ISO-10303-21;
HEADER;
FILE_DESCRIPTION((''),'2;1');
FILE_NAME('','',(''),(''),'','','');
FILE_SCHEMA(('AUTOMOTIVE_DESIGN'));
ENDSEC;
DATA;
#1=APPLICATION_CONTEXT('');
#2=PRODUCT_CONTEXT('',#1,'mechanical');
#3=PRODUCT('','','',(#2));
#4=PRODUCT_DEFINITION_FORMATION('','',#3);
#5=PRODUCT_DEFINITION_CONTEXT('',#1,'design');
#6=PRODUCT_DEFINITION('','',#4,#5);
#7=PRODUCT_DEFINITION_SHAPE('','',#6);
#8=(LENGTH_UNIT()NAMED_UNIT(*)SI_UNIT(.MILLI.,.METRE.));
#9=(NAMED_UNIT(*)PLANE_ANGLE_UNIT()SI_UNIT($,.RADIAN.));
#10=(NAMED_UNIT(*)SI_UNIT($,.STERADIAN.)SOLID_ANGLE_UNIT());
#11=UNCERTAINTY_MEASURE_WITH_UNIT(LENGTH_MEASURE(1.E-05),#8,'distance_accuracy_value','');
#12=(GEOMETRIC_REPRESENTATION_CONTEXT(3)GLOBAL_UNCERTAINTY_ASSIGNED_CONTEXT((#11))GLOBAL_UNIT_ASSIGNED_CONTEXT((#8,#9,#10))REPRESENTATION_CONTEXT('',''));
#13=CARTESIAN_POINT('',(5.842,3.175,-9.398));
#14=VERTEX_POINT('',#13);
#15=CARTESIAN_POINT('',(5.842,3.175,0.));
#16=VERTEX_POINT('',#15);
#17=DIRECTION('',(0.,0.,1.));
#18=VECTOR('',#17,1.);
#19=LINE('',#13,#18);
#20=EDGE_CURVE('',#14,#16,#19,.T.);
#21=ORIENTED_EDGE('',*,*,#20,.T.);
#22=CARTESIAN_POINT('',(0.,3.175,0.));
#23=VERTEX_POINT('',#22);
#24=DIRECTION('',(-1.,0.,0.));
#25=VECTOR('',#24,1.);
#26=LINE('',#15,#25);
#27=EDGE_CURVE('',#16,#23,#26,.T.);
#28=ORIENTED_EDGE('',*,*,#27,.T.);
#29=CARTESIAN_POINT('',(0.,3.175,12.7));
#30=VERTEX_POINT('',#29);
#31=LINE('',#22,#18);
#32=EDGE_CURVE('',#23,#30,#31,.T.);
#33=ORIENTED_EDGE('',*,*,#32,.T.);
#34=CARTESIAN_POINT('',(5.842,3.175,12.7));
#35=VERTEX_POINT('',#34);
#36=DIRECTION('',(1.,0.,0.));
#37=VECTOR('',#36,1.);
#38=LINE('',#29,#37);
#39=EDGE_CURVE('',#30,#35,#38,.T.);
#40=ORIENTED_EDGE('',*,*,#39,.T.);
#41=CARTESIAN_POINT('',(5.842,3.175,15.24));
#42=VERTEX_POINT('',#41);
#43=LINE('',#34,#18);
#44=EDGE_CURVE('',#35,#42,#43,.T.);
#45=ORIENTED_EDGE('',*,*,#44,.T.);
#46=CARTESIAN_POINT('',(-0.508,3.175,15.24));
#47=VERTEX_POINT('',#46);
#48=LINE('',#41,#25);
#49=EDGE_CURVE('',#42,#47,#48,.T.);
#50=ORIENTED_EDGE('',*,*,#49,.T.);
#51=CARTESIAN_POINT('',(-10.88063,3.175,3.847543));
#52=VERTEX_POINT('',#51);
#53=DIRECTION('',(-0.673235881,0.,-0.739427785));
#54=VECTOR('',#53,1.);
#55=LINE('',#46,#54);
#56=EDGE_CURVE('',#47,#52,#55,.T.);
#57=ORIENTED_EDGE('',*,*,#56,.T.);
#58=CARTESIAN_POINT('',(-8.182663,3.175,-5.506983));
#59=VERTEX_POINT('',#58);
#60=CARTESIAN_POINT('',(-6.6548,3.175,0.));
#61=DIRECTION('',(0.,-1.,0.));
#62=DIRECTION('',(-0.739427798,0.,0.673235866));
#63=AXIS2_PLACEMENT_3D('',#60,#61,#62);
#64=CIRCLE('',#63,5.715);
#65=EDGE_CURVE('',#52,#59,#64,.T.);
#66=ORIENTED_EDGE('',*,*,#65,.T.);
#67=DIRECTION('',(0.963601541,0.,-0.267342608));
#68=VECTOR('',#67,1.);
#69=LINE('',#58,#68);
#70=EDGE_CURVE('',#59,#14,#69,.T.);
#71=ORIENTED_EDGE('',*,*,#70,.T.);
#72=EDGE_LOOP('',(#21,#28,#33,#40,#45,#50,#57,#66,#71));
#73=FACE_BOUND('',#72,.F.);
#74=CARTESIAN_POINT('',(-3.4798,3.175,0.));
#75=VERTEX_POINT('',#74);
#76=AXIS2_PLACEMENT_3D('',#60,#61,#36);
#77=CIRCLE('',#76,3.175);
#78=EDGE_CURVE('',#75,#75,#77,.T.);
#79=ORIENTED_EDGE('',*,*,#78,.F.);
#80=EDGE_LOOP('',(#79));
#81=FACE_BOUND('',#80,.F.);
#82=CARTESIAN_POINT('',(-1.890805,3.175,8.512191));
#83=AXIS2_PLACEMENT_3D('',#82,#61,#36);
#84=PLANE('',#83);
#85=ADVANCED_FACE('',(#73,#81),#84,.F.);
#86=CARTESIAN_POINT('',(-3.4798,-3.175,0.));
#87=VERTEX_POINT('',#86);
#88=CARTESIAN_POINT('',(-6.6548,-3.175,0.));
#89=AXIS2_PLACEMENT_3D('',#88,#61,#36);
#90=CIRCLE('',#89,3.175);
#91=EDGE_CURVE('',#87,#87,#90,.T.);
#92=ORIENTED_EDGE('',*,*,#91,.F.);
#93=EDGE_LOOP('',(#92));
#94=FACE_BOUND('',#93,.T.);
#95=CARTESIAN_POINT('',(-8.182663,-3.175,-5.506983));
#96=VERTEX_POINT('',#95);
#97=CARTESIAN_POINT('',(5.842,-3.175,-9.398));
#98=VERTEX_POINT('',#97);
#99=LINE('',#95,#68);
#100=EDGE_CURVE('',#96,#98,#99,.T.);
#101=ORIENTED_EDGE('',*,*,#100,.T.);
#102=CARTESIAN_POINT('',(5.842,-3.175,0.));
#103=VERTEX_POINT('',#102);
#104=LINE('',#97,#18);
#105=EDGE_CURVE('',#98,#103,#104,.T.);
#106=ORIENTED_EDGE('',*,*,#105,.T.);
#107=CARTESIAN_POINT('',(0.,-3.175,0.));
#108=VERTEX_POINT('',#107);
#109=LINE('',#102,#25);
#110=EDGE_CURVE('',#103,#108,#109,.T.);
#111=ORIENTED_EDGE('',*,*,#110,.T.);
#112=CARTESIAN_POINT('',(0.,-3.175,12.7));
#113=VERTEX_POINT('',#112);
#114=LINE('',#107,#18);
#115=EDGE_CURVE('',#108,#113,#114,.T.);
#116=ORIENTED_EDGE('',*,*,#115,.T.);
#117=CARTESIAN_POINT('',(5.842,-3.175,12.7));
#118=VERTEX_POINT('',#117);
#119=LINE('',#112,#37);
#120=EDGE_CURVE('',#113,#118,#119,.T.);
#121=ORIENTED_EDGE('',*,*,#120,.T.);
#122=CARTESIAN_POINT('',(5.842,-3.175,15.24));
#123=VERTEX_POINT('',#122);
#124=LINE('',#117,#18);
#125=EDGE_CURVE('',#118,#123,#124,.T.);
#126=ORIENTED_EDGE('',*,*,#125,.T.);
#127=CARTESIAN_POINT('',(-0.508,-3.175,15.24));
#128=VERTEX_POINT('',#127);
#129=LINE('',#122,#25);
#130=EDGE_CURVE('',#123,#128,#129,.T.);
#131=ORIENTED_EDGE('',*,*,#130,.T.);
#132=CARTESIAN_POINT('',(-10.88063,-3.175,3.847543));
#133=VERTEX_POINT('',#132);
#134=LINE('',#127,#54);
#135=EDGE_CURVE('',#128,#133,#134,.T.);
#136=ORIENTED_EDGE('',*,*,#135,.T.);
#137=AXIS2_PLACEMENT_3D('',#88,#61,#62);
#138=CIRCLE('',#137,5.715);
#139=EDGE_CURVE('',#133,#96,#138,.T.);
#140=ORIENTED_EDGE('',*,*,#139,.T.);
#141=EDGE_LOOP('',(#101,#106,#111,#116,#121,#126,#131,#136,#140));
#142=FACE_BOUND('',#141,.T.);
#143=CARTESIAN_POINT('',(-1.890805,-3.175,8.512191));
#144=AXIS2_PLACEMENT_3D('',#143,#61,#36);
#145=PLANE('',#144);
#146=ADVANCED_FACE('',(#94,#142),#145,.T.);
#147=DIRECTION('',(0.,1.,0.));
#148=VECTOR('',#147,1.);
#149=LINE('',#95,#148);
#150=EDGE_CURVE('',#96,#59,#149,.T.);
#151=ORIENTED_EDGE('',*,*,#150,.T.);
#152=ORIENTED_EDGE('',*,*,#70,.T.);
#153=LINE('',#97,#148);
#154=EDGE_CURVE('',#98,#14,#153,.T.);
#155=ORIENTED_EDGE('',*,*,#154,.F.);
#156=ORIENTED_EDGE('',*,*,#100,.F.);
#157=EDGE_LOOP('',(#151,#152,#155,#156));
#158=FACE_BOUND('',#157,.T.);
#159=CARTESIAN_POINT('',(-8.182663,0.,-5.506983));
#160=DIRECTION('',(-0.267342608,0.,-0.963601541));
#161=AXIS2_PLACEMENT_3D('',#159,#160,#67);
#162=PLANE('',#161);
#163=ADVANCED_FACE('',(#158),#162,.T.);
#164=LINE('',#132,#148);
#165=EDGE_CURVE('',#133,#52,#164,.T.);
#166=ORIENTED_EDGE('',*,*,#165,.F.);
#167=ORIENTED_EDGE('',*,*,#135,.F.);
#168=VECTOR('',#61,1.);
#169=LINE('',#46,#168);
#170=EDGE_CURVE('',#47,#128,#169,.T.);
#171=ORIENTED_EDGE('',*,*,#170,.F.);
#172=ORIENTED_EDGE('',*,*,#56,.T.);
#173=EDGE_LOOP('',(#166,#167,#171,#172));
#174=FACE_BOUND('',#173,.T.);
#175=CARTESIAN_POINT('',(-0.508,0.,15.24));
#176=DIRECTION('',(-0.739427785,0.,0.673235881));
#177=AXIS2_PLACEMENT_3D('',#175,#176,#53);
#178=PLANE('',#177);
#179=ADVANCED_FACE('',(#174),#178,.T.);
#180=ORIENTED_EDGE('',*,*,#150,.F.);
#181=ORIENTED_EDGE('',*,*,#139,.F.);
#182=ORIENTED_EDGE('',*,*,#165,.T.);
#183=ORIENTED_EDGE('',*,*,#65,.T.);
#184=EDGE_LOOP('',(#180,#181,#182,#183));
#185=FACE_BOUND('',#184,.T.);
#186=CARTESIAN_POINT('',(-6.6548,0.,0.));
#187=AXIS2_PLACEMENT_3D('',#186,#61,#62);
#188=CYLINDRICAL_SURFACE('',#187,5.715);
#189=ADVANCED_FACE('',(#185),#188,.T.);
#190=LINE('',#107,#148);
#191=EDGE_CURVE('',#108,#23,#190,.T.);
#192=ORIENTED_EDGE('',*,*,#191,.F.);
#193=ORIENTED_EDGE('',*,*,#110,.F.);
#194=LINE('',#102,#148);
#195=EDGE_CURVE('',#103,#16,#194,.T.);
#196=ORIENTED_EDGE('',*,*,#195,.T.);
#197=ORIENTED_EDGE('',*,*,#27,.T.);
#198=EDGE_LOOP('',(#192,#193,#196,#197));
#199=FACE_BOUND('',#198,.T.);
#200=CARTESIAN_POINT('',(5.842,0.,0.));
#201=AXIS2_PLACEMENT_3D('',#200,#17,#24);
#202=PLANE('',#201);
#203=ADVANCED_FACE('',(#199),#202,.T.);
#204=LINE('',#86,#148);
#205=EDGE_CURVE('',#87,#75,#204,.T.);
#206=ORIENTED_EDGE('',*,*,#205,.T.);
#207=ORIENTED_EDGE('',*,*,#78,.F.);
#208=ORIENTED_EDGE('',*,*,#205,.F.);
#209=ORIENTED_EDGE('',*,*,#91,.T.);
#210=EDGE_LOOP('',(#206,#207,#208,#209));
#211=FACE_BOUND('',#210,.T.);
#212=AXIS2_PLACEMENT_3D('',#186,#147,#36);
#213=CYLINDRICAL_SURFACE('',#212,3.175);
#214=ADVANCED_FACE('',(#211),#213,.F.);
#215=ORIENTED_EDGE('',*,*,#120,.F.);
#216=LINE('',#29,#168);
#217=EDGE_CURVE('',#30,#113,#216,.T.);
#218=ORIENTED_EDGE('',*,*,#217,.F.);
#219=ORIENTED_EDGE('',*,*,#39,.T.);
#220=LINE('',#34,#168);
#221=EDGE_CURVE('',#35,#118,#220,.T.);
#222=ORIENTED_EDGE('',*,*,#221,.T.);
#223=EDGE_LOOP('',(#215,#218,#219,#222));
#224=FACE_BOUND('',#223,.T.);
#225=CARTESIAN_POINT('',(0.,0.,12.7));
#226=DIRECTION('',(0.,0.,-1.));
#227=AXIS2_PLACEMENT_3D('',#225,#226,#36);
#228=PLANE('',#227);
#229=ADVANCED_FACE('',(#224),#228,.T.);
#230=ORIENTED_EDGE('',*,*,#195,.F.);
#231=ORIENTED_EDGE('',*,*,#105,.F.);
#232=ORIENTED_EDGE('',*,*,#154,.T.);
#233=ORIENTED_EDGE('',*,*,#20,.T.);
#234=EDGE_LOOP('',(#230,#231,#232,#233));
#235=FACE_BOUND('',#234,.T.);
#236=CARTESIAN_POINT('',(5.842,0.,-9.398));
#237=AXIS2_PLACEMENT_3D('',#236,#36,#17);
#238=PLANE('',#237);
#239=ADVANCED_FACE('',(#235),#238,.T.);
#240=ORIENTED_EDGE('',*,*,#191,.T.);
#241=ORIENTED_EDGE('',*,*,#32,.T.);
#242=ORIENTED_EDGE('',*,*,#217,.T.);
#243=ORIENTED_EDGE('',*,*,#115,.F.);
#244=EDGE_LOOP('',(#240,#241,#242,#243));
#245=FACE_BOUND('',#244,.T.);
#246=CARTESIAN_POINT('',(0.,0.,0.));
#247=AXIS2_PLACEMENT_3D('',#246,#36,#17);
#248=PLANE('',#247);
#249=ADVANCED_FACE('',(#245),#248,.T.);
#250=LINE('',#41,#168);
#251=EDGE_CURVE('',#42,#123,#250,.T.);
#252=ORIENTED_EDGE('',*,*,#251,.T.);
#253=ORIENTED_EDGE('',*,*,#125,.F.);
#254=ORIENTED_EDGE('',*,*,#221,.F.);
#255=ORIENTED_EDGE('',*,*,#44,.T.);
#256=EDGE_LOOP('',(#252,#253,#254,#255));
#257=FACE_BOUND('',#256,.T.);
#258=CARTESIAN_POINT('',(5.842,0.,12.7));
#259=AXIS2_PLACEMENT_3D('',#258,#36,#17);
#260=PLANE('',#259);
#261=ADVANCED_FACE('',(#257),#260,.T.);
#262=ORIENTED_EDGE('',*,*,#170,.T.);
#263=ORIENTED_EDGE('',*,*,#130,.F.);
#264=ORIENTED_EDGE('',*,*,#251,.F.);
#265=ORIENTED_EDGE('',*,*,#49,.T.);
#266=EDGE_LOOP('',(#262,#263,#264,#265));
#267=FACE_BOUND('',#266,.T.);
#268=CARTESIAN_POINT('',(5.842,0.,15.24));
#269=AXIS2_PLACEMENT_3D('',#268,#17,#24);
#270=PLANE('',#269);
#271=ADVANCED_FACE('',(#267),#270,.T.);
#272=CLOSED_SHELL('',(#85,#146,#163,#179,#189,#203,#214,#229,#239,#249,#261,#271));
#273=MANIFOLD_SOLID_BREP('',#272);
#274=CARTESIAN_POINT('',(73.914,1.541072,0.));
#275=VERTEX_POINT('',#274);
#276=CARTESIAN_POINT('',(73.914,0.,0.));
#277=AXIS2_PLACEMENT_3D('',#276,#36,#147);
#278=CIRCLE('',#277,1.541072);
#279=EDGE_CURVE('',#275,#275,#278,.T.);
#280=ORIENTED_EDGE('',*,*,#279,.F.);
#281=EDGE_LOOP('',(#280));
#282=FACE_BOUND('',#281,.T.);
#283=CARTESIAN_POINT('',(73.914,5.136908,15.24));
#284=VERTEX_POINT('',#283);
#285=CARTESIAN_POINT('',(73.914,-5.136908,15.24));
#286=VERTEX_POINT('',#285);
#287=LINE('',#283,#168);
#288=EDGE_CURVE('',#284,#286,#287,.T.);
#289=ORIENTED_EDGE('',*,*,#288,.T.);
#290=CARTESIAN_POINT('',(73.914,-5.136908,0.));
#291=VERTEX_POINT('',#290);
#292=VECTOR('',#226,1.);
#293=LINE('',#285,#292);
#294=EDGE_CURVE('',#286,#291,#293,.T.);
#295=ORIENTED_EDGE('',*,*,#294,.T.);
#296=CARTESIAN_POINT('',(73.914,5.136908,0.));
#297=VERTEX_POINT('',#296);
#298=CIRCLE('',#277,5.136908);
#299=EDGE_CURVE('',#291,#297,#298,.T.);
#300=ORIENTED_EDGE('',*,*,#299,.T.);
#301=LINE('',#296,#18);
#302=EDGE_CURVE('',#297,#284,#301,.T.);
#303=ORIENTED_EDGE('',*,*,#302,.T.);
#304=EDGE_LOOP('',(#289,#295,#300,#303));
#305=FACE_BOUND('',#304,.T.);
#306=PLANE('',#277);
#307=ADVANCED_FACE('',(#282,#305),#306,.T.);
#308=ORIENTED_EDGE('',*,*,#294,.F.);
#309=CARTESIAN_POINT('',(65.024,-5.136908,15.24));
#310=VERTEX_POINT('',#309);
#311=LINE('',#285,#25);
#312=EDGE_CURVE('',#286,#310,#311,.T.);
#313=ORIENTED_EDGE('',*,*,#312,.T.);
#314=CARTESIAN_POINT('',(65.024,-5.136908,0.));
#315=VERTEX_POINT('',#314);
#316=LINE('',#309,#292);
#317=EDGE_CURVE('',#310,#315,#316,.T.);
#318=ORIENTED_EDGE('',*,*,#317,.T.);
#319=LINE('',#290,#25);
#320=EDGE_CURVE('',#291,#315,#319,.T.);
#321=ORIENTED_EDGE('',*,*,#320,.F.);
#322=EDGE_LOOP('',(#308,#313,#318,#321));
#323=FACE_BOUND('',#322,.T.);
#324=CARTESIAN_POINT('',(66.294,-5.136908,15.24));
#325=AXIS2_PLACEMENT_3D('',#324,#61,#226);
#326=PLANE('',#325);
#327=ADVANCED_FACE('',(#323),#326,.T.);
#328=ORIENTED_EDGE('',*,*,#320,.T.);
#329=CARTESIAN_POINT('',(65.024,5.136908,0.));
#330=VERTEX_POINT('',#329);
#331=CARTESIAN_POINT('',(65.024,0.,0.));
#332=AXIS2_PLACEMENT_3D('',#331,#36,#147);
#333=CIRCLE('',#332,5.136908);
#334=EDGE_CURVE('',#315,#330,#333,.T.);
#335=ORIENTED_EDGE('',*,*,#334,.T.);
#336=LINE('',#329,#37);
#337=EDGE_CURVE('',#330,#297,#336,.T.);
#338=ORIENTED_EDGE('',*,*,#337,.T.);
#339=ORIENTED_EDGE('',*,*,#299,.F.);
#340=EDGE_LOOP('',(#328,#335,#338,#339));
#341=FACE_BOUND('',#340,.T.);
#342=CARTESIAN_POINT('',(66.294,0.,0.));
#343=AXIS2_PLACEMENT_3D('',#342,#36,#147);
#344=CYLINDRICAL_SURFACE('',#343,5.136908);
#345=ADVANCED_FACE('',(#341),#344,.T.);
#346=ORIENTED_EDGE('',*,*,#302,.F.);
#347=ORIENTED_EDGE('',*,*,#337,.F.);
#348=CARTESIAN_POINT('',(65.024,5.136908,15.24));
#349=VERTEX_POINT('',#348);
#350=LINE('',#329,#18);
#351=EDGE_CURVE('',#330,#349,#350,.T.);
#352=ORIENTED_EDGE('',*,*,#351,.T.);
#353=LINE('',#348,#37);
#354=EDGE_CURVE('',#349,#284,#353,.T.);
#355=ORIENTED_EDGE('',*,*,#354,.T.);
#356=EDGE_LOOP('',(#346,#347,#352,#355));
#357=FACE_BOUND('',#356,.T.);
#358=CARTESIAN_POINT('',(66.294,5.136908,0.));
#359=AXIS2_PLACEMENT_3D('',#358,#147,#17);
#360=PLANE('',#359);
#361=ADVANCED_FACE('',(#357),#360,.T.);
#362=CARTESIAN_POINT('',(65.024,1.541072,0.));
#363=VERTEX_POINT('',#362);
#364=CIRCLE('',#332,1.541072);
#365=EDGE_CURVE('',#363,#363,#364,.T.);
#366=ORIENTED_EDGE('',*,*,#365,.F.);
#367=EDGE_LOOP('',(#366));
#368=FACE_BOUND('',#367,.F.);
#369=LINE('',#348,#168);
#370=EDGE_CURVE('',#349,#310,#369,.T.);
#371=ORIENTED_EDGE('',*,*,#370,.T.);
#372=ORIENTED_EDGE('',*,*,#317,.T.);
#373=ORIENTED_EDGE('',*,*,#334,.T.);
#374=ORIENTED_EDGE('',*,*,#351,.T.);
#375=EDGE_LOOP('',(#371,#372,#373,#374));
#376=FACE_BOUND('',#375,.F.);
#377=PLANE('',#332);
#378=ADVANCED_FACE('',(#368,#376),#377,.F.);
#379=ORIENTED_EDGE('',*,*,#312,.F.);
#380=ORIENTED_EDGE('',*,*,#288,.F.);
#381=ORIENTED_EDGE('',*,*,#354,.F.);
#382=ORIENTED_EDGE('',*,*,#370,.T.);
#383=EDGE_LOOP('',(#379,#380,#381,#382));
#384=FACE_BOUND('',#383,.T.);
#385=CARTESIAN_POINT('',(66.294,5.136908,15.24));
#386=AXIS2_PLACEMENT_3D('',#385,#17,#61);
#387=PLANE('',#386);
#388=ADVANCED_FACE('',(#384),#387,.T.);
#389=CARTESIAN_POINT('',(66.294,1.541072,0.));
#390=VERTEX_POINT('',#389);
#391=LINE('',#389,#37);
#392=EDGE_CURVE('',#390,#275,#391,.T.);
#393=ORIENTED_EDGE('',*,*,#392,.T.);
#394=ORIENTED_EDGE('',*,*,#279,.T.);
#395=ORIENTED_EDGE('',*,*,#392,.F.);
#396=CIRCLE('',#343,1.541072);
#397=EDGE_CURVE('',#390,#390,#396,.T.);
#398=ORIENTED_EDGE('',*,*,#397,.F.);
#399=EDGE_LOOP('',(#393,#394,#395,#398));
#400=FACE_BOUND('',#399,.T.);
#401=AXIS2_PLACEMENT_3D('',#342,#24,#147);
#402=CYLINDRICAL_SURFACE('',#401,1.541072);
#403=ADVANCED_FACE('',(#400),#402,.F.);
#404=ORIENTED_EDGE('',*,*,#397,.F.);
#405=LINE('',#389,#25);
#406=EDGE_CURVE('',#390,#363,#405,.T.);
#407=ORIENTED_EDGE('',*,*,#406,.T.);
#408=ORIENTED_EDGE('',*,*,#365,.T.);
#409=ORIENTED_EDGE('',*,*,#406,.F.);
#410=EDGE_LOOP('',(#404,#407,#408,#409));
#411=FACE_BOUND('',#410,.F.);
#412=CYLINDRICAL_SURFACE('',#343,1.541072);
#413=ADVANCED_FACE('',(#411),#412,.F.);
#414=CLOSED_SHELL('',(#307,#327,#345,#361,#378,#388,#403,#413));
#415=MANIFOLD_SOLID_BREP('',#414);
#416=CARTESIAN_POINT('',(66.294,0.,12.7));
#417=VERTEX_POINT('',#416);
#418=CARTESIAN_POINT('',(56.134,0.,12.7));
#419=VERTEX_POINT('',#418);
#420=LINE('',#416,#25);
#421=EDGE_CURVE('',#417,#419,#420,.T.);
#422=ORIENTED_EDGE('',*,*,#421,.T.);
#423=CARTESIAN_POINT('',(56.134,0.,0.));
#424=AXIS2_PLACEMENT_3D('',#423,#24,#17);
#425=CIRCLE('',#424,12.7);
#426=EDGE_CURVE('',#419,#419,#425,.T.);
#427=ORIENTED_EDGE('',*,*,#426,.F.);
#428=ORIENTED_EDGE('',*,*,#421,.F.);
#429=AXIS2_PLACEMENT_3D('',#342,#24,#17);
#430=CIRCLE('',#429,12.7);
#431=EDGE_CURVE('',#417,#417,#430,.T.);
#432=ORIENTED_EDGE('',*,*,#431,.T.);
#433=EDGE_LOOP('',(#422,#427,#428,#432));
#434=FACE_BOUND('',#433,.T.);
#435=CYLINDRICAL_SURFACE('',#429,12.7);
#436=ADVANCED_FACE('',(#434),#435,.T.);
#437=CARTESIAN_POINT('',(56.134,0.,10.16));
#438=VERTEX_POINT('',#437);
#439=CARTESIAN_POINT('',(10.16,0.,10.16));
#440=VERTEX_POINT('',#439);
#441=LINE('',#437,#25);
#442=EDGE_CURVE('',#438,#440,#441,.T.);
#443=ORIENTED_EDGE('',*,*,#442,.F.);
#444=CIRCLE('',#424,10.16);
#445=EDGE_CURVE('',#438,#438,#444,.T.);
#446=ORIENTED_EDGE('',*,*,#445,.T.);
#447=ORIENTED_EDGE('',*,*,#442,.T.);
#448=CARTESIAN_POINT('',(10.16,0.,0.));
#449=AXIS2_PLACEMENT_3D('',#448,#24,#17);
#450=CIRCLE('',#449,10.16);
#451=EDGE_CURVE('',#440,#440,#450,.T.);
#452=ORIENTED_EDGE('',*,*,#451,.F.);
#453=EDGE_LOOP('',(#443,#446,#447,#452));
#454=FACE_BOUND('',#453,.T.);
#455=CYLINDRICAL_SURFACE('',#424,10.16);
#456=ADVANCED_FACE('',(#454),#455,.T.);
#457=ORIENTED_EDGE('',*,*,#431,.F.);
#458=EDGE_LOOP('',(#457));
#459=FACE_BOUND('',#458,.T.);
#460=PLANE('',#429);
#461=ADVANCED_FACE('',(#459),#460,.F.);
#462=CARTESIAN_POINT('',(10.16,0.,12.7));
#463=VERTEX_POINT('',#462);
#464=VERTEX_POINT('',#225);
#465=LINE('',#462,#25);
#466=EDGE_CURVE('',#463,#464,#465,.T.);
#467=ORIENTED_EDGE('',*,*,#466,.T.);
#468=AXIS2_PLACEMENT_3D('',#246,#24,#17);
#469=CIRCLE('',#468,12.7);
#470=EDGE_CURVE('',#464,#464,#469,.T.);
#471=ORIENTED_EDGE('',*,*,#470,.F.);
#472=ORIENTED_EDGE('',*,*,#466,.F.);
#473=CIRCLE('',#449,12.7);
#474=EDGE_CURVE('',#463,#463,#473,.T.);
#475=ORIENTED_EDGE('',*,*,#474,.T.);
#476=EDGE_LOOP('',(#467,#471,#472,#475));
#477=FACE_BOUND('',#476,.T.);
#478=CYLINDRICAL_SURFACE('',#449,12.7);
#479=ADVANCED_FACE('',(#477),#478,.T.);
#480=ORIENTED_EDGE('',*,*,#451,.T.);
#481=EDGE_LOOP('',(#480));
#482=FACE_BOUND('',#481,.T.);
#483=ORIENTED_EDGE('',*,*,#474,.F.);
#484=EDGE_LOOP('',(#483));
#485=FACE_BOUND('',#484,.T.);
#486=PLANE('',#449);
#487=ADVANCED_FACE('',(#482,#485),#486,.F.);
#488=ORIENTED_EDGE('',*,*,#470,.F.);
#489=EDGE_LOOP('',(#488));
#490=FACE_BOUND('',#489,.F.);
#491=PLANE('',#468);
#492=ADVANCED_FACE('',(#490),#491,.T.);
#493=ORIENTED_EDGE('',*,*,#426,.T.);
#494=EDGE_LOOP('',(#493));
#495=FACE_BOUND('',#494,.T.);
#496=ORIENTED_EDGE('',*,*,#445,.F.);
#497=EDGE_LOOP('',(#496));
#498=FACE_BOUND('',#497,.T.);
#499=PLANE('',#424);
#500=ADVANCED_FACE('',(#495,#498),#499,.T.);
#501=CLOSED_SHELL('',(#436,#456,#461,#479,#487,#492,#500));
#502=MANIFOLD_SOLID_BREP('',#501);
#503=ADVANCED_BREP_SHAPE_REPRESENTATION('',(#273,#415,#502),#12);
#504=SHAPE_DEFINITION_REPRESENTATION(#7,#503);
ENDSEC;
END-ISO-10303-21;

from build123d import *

# Parameters (mm, degrees)
F0_W          = 5.842
F0_H          = 12.7
F0_R          = 3.175
F2_DEPTH      = 3.175
F3_R          = 1.541072
F4_DEPTH      = 7.62
F4_DEPTH_BACK = 1.27


with BuildPart() as f1:
    # F0 (on Front) → F1 (revolve)
    with BuildSketch(Plane.XZ):
        Polygon((5.842, 12.7), (5.842, 0), (66.294, 0), (66.294, 12.7), (56.134, 12.7), (56.134, 10.16), (10.16, 10.16), (10.16, 12.7), align=None)
        with Locations((2.921, 6.35)):
            Rectangle(F0_W, F0_H)
    revolve(axis=Axis((33.147, 0, 0), (-1, 0, 0)))


with BuildPart() as f2:
    # F0 (on Front) → F2 (new body, symmetric)
    with BuildSketch(Plane.XZ):
        with BuildLine():
            Line((-0.9398, 0), (0, 0))
            Line((0, 0), (0, 12.7))
            Line((0, 12.7), (5.842, 12.7))
            Line((5.842, 12.7), (5.842, 15.24))
            Line((5.842, 15.24), (-0.508, 15.24))
            Line((-0.508, 15.24), (-10.88063, 3.847543))
            ThreePointArc((-10.88063, 3.847543), (-4.591961, 5.329721), (-0.9398, 0))
        make_face()
        with BuildLine():
            Line((5.842, 0), (0, 0))
            Line((0, 0), (-0.9398, 0))
            ThreePointArc((-0.9398, 0), (-3.195791, -4.549339), (-8.182663, -5.506983))
            Line((-8.182663, -5.506983), (5.842, -9.398))
            Line((5.842, -9.398), (5.842, 0))
        make_face()
        with BuildLine():
            ThreePointArc((-8.182663, -5.506983), (-3.195791, -4.549339), (-0.9398, 0))
            ThreePointArc((-0.9398, 0), (-4.591961, 5.329721), (-10.88063, 3.847543))
            ThreePointArc((-10.88063, 3.847543), (-12.145978, -1.583727), (-8.182663, -5.506983))
        make_face()
        with Locations((-6.6548, 0)):
            Circle(F0_R, mode=Mode.SUBTRACT)
    extrude(amount=F2_DEPTH, both=True)


with BuildPart() as f4:
    # F3 (on face) → F4 (new body, two sides)
    with BuildSketch(Plane.YZ.offset(66.294)) as f4_sk:
        with BuildLine():
            ThreePointArc((-5.136908, 0), (0, -5.136908), (5.136908, 0))
            ThreePointArc((5.136908, 0), (0, 5.136908), (-5.136908, 0))
        make_face()
        Circle(F3_R, mode=Mode.SUBTRACT)
        with BuildLine():
            ThreePointArc((-5.136908, 0), (0, 5.136908), (5.136908, 0))
            Line((5.136908, 0), (5.136908, 15.24))
            Line((5.136908, 15.24), (-5.136908, 15.24))
            Line((-5.136908, 15.24), (-5.136908, 0))
        make_face()
    extrude(amount=F4_DEPTH)
    extrude(f4_sk.sketch, amount=-F4_DEPTH_BACK)


solid = Compound([f1.part, f2.part, f4.part])
